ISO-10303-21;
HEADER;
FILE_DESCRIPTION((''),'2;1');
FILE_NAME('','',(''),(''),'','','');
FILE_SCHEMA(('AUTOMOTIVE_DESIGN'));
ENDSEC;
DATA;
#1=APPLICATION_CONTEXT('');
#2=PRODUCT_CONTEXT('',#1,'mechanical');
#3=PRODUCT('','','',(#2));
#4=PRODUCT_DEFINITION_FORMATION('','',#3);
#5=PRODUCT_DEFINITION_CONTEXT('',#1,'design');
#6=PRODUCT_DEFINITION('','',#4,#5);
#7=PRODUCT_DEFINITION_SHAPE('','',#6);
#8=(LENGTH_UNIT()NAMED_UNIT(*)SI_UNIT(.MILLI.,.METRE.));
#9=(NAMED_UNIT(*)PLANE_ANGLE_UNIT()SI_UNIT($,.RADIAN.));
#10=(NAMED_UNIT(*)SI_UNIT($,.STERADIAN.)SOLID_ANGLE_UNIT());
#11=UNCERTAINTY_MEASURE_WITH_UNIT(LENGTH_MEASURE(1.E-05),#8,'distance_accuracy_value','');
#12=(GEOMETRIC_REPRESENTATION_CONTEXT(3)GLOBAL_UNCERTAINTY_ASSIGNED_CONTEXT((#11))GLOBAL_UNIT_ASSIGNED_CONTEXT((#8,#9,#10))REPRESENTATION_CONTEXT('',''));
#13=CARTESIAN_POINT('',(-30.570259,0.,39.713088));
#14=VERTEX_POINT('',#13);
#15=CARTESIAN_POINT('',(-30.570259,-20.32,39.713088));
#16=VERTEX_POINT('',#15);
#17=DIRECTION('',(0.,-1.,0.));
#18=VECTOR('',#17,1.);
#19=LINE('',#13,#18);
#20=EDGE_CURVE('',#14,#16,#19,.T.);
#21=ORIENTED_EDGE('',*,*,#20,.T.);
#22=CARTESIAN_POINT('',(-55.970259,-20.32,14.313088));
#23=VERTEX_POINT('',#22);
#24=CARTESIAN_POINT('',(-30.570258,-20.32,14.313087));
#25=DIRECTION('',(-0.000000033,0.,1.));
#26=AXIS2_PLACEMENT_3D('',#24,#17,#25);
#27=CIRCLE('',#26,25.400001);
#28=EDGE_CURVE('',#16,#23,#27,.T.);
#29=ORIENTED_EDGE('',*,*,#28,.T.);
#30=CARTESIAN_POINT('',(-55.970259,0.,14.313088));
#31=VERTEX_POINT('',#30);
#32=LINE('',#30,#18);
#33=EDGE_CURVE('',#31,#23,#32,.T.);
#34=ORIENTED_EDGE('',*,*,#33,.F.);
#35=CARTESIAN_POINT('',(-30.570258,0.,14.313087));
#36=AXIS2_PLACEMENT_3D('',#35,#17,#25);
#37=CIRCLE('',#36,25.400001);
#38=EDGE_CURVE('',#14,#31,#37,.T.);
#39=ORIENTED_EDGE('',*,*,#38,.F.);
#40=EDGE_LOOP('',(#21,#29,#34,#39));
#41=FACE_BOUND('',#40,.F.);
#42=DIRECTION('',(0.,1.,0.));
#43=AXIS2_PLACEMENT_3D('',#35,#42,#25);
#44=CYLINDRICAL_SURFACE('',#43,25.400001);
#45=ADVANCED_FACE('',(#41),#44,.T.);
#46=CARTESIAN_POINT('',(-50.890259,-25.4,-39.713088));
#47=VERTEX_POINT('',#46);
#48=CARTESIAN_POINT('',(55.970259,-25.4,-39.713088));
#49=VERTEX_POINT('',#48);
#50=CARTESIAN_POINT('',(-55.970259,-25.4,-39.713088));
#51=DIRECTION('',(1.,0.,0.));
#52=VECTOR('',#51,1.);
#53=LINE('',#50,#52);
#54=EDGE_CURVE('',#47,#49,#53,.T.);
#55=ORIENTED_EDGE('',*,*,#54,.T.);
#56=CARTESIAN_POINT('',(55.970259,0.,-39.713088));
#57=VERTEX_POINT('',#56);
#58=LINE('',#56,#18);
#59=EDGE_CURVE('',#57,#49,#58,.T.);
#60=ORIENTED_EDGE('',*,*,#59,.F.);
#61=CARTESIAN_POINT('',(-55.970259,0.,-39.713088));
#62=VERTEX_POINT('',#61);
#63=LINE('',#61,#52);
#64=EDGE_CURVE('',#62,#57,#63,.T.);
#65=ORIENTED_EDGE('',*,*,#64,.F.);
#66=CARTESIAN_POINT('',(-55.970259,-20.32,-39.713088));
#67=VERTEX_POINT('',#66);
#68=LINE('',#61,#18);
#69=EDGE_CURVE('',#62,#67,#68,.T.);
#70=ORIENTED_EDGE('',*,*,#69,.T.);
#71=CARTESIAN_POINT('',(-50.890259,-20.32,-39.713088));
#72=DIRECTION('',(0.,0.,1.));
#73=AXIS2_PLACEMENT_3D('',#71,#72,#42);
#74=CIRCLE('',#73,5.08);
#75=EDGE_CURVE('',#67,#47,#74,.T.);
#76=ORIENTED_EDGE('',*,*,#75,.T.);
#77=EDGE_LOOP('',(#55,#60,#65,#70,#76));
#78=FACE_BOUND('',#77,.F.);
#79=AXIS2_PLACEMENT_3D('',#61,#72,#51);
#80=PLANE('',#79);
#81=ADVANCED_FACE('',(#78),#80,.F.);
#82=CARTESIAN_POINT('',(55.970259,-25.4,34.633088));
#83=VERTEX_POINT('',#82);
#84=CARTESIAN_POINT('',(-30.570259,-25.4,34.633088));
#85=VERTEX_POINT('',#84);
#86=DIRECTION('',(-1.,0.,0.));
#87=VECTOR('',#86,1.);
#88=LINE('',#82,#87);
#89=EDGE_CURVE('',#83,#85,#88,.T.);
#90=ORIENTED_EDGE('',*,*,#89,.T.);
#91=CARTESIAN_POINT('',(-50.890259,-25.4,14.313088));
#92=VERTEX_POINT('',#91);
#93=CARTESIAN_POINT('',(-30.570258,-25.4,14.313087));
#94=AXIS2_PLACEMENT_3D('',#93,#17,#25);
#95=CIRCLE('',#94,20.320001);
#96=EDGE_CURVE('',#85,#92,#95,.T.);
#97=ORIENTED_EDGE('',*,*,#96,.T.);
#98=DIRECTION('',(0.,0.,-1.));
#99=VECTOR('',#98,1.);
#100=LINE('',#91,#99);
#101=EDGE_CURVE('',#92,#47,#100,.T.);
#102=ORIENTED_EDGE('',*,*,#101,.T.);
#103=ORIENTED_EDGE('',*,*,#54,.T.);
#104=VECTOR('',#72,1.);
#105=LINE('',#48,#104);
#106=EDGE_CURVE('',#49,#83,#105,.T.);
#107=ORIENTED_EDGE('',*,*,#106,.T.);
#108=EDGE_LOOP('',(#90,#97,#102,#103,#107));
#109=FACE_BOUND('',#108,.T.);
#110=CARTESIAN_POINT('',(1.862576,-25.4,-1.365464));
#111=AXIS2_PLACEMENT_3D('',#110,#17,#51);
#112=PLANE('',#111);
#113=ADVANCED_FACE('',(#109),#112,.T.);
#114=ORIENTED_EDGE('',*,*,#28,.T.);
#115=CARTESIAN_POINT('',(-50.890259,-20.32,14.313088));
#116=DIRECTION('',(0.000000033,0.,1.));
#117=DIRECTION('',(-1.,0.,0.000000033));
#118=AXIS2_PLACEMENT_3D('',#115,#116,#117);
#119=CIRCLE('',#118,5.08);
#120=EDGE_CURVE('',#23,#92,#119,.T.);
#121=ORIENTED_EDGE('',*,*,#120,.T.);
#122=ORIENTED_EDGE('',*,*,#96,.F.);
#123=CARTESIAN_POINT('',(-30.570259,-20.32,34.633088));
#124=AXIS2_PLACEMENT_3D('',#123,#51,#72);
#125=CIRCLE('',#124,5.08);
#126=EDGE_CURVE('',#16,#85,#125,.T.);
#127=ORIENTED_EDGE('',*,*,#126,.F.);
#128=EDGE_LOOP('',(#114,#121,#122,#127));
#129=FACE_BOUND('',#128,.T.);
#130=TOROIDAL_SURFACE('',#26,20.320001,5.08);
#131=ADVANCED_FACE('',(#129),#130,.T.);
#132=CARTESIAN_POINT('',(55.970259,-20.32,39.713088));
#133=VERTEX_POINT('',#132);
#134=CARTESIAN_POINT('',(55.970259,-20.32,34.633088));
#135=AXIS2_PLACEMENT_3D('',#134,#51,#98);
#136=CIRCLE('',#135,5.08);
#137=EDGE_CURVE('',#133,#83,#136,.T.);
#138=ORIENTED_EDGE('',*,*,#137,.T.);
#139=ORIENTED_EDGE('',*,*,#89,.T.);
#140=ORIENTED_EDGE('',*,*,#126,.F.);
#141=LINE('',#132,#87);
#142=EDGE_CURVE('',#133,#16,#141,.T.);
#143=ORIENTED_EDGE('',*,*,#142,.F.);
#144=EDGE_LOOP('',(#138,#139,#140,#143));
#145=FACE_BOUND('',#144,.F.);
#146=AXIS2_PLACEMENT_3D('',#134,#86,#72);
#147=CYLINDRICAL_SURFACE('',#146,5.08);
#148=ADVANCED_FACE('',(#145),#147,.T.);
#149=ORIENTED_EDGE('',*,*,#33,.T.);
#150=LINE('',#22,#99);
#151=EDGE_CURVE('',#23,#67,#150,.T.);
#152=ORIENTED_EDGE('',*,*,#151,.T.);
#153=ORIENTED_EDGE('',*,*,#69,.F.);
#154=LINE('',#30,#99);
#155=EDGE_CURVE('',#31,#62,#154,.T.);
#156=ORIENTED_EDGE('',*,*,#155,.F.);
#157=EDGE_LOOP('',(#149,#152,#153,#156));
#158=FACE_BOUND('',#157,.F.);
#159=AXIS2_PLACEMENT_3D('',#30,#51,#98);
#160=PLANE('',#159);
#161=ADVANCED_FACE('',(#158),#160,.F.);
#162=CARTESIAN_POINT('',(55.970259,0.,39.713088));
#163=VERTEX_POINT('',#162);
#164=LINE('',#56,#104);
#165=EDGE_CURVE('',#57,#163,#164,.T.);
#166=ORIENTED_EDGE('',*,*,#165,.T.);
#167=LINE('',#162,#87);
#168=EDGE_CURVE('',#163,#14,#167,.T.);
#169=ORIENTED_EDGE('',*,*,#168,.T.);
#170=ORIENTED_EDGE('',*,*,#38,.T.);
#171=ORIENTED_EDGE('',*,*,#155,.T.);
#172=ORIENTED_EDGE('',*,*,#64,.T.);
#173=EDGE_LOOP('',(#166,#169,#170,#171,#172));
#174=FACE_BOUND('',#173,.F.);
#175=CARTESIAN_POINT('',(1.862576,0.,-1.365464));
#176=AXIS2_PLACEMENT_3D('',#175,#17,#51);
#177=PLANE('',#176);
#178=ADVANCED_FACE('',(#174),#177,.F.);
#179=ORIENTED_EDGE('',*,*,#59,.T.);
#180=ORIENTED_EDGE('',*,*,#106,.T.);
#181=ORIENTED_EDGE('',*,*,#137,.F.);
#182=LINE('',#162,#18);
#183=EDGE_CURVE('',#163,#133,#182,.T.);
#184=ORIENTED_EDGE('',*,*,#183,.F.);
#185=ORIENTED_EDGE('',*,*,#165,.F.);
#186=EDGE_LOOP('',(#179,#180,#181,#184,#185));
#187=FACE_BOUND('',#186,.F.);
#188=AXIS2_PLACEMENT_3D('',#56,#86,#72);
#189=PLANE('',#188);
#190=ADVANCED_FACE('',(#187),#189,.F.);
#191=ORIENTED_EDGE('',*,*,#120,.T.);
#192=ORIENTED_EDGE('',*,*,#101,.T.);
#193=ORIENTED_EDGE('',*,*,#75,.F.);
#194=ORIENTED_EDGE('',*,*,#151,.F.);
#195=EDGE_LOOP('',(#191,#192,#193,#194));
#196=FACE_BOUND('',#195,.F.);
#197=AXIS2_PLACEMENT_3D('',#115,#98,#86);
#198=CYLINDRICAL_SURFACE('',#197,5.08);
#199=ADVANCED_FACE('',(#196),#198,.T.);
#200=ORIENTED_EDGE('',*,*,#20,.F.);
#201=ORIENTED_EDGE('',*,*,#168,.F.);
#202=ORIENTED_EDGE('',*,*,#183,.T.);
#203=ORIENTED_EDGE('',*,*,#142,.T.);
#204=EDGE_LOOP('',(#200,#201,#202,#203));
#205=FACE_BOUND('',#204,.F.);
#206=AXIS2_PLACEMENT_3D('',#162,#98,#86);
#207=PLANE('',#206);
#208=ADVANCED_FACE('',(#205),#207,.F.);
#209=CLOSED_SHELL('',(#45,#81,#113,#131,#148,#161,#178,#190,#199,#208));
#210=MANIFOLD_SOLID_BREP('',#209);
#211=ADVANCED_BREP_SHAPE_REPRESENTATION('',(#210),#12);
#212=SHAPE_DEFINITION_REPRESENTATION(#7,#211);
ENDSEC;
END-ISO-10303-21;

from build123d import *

# Parameters (mm, degrees)
F1_DEPTH = 25.4
F2_R     = 5.08


with BuildPart() as f1:
    # F0 (on Front) → F1 (new body)
    with BuildSketch(Plane.XZ):
        with BuildLine():
            Line((55.970259, 39.713088), (-30.570259, 39.713088))
            ThreePointArc((-30.570259, 39.713088), (-48.530771, 32.2736), (-55.970259, 14.313088))
            Line((-55.970259, 14.313088), (-55.970259, -39.713088))
            Line((-55.970259, -39.713088), (55.970259, -39.713088))
            Line((55.970259, -39.713088), (55.970259, 39.713088))
        make_face()
    extrude(amount=F1_DEPTH)

    # F2
    f2_edges = [f1.edges().sort_by_distance(p)[0] for p in [
        (-55.970259, -25.4, -12.7),
    ]]
    fillet(f2_edges, radius=F2_R)


solid = f1.part
